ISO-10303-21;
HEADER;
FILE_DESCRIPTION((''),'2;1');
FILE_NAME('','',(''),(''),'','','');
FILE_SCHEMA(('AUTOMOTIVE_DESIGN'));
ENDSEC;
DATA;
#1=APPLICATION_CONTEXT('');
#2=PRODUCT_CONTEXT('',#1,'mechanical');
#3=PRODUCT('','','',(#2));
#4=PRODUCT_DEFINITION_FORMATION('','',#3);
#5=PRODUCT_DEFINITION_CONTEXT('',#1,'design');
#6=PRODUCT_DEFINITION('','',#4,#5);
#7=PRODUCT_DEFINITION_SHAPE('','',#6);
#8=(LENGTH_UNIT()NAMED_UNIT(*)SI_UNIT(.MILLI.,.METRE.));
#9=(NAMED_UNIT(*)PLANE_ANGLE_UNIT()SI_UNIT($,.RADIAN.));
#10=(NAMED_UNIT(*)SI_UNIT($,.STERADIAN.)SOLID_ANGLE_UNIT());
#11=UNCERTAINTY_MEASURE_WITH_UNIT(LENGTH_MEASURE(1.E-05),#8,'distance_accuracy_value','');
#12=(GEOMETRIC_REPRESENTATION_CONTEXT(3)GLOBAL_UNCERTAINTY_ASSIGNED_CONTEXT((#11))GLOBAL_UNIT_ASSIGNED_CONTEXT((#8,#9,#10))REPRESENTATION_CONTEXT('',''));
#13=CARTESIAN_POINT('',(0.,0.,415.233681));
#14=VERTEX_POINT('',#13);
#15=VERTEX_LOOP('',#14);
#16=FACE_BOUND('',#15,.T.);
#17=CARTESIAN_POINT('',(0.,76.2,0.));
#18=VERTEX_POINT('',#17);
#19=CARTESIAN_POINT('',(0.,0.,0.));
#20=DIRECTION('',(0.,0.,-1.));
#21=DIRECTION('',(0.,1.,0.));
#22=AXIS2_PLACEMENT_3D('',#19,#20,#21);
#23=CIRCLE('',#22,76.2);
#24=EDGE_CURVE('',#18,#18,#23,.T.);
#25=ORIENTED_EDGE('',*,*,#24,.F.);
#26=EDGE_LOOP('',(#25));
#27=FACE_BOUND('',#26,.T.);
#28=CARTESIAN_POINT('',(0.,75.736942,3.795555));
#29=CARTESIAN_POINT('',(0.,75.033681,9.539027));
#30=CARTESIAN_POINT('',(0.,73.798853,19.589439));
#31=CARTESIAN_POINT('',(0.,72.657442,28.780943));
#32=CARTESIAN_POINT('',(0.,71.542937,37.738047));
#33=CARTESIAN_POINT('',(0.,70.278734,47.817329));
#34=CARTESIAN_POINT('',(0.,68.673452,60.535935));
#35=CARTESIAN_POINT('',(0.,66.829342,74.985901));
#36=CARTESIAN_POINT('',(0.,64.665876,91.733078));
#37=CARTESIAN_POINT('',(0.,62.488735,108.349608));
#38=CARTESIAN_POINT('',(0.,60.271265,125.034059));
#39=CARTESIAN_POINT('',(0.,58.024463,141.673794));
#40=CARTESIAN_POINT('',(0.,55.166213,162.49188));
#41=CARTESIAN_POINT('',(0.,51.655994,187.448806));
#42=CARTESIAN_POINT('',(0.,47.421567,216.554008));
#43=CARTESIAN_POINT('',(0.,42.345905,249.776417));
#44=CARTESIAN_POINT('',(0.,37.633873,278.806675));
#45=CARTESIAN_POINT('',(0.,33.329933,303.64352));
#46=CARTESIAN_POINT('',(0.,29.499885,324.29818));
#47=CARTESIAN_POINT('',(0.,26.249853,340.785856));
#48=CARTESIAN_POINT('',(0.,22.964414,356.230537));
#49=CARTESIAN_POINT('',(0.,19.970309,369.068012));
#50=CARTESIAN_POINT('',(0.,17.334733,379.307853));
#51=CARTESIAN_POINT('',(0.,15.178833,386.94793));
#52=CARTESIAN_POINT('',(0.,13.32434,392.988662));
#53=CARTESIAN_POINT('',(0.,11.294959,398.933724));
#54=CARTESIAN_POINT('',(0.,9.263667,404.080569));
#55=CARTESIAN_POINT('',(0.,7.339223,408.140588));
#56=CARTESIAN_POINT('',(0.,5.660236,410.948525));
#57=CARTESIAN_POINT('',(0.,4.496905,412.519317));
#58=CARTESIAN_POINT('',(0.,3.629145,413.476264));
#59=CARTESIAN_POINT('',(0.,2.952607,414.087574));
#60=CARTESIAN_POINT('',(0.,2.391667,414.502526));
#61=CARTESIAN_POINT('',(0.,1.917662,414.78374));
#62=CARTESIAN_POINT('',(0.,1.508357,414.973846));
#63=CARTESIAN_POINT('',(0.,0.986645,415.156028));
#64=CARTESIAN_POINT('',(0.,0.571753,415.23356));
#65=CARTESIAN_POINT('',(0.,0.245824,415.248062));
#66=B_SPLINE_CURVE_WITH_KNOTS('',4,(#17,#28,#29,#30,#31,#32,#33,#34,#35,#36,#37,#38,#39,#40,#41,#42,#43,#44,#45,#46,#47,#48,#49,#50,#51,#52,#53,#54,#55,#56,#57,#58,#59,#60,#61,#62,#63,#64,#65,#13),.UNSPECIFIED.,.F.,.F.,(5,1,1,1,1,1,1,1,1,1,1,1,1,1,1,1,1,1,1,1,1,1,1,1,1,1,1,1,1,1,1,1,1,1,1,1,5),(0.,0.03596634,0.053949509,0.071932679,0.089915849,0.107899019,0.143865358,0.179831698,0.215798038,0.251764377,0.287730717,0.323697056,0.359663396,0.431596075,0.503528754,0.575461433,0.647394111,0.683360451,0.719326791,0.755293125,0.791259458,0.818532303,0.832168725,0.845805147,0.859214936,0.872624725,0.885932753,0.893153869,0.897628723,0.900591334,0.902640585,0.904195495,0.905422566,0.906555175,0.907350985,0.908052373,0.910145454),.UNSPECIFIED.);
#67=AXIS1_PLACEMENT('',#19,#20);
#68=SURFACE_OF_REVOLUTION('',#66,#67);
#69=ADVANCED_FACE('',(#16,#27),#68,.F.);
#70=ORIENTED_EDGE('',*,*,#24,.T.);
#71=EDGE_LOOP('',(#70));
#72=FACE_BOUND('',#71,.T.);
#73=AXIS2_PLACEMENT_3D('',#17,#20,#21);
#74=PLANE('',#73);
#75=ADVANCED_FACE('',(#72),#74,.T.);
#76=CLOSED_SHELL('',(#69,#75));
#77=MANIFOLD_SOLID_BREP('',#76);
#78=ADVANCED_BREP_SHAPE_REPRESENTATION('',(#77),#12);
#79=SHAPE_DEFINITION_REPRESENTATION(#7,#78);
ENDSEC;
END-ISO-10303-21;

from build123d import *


with BuildPart() as part:
    # Sketch1 → Revolve1 (revolve)
    with BuildSketch(Plane(origin=(0, 0, 0), x_dir=(0, 0, -1), z_dir=(1, 0, 0))):
        with BuildLine():
            Line((0, 76.2), (0, 0))
            Line((0, 0), (-415.233681196, 0))
            add(Edge.make_bspline(
                [(-415.233681196, 0), (-415.248062264, 0.245823644), (-415.233560109, 0.571752871), (-415.15602847, 0.986644913), (-414.973845994, 1.508356885), (-414.783739874, 1.917661747), (-414.502526008, 2.391667141), (-414.087573943, 2.952607226), (-413.476263804, 3.629145422), (-412.519316919, 4.49690504), (-410.948525287, 5.660235809), (-408.140588363, 7.339222542), (-404.080568878, 9.263666606), (-398.933724011, 11.294958603), (-392.988662491, 13.324339818), (-386.94792979, 15.178832728), (-379.307853219, 17.33473262), (-369.0680124, 19.970308522), (-356.230536874, 22.964413636), (-340.785855575, 26.249852558), (-324.298179627, 29.499885464), (-303.643520133, 33.329932722), (-278.806675087, 37.633873445), (-249.776416829, 42.345905283), (-216.554008293, 47.421566585), (-187.448805801, 51.655994221), (-162.491880238, 55.166213028), (-141.673794254, 58.024462862), (-125.034058809, 60.271264563), (-108.34960752, 62.488735474), (-91.733078085, 64.665875642), (-74.985901204, 66.829342088), (-60.535935204, 68.673452271), (-47.81732924, 70.278733617), (-37.738047263, 71.542936979), (-28.780942547, 72.657441879), (-19.589439214, 73.798853105), (-9.539027298, 75.033680844), (-3.795555289, 75.736942006), (0, 76.2)],
                knots=[0, 0, 0, 0, 0, 0.002093081, 0.002794469, 0.003590279, 0.004722888, 0.005949959, 0.007504869, 0.00955412, 0.012516731, 0.016991585, 0.024212701, 0.037520729, 0.050930518, 0.064340307, 0.077976729, 0.091613151, 0.118885996, 0.154852329, 0.190818663, 0.226785003, 0.262751343, 0.334684021, 0.4066167, 0.478549379, 0.550482058, 0.586448398, 0.622414737, 0.658381077, 0.694347416, 0.730313756, 0.766280096, 0.802246435, 0.820229605, 0.838212775, 0.856195945, 0.874179114, 0.910145454, 0.910145454, 0.910145454, 0.910145454, 0.910145454], degree=4))
        make_face()
    revolve(axis=Axis((0, 0, 0), (0, 0, 1)))


solid = part.part
